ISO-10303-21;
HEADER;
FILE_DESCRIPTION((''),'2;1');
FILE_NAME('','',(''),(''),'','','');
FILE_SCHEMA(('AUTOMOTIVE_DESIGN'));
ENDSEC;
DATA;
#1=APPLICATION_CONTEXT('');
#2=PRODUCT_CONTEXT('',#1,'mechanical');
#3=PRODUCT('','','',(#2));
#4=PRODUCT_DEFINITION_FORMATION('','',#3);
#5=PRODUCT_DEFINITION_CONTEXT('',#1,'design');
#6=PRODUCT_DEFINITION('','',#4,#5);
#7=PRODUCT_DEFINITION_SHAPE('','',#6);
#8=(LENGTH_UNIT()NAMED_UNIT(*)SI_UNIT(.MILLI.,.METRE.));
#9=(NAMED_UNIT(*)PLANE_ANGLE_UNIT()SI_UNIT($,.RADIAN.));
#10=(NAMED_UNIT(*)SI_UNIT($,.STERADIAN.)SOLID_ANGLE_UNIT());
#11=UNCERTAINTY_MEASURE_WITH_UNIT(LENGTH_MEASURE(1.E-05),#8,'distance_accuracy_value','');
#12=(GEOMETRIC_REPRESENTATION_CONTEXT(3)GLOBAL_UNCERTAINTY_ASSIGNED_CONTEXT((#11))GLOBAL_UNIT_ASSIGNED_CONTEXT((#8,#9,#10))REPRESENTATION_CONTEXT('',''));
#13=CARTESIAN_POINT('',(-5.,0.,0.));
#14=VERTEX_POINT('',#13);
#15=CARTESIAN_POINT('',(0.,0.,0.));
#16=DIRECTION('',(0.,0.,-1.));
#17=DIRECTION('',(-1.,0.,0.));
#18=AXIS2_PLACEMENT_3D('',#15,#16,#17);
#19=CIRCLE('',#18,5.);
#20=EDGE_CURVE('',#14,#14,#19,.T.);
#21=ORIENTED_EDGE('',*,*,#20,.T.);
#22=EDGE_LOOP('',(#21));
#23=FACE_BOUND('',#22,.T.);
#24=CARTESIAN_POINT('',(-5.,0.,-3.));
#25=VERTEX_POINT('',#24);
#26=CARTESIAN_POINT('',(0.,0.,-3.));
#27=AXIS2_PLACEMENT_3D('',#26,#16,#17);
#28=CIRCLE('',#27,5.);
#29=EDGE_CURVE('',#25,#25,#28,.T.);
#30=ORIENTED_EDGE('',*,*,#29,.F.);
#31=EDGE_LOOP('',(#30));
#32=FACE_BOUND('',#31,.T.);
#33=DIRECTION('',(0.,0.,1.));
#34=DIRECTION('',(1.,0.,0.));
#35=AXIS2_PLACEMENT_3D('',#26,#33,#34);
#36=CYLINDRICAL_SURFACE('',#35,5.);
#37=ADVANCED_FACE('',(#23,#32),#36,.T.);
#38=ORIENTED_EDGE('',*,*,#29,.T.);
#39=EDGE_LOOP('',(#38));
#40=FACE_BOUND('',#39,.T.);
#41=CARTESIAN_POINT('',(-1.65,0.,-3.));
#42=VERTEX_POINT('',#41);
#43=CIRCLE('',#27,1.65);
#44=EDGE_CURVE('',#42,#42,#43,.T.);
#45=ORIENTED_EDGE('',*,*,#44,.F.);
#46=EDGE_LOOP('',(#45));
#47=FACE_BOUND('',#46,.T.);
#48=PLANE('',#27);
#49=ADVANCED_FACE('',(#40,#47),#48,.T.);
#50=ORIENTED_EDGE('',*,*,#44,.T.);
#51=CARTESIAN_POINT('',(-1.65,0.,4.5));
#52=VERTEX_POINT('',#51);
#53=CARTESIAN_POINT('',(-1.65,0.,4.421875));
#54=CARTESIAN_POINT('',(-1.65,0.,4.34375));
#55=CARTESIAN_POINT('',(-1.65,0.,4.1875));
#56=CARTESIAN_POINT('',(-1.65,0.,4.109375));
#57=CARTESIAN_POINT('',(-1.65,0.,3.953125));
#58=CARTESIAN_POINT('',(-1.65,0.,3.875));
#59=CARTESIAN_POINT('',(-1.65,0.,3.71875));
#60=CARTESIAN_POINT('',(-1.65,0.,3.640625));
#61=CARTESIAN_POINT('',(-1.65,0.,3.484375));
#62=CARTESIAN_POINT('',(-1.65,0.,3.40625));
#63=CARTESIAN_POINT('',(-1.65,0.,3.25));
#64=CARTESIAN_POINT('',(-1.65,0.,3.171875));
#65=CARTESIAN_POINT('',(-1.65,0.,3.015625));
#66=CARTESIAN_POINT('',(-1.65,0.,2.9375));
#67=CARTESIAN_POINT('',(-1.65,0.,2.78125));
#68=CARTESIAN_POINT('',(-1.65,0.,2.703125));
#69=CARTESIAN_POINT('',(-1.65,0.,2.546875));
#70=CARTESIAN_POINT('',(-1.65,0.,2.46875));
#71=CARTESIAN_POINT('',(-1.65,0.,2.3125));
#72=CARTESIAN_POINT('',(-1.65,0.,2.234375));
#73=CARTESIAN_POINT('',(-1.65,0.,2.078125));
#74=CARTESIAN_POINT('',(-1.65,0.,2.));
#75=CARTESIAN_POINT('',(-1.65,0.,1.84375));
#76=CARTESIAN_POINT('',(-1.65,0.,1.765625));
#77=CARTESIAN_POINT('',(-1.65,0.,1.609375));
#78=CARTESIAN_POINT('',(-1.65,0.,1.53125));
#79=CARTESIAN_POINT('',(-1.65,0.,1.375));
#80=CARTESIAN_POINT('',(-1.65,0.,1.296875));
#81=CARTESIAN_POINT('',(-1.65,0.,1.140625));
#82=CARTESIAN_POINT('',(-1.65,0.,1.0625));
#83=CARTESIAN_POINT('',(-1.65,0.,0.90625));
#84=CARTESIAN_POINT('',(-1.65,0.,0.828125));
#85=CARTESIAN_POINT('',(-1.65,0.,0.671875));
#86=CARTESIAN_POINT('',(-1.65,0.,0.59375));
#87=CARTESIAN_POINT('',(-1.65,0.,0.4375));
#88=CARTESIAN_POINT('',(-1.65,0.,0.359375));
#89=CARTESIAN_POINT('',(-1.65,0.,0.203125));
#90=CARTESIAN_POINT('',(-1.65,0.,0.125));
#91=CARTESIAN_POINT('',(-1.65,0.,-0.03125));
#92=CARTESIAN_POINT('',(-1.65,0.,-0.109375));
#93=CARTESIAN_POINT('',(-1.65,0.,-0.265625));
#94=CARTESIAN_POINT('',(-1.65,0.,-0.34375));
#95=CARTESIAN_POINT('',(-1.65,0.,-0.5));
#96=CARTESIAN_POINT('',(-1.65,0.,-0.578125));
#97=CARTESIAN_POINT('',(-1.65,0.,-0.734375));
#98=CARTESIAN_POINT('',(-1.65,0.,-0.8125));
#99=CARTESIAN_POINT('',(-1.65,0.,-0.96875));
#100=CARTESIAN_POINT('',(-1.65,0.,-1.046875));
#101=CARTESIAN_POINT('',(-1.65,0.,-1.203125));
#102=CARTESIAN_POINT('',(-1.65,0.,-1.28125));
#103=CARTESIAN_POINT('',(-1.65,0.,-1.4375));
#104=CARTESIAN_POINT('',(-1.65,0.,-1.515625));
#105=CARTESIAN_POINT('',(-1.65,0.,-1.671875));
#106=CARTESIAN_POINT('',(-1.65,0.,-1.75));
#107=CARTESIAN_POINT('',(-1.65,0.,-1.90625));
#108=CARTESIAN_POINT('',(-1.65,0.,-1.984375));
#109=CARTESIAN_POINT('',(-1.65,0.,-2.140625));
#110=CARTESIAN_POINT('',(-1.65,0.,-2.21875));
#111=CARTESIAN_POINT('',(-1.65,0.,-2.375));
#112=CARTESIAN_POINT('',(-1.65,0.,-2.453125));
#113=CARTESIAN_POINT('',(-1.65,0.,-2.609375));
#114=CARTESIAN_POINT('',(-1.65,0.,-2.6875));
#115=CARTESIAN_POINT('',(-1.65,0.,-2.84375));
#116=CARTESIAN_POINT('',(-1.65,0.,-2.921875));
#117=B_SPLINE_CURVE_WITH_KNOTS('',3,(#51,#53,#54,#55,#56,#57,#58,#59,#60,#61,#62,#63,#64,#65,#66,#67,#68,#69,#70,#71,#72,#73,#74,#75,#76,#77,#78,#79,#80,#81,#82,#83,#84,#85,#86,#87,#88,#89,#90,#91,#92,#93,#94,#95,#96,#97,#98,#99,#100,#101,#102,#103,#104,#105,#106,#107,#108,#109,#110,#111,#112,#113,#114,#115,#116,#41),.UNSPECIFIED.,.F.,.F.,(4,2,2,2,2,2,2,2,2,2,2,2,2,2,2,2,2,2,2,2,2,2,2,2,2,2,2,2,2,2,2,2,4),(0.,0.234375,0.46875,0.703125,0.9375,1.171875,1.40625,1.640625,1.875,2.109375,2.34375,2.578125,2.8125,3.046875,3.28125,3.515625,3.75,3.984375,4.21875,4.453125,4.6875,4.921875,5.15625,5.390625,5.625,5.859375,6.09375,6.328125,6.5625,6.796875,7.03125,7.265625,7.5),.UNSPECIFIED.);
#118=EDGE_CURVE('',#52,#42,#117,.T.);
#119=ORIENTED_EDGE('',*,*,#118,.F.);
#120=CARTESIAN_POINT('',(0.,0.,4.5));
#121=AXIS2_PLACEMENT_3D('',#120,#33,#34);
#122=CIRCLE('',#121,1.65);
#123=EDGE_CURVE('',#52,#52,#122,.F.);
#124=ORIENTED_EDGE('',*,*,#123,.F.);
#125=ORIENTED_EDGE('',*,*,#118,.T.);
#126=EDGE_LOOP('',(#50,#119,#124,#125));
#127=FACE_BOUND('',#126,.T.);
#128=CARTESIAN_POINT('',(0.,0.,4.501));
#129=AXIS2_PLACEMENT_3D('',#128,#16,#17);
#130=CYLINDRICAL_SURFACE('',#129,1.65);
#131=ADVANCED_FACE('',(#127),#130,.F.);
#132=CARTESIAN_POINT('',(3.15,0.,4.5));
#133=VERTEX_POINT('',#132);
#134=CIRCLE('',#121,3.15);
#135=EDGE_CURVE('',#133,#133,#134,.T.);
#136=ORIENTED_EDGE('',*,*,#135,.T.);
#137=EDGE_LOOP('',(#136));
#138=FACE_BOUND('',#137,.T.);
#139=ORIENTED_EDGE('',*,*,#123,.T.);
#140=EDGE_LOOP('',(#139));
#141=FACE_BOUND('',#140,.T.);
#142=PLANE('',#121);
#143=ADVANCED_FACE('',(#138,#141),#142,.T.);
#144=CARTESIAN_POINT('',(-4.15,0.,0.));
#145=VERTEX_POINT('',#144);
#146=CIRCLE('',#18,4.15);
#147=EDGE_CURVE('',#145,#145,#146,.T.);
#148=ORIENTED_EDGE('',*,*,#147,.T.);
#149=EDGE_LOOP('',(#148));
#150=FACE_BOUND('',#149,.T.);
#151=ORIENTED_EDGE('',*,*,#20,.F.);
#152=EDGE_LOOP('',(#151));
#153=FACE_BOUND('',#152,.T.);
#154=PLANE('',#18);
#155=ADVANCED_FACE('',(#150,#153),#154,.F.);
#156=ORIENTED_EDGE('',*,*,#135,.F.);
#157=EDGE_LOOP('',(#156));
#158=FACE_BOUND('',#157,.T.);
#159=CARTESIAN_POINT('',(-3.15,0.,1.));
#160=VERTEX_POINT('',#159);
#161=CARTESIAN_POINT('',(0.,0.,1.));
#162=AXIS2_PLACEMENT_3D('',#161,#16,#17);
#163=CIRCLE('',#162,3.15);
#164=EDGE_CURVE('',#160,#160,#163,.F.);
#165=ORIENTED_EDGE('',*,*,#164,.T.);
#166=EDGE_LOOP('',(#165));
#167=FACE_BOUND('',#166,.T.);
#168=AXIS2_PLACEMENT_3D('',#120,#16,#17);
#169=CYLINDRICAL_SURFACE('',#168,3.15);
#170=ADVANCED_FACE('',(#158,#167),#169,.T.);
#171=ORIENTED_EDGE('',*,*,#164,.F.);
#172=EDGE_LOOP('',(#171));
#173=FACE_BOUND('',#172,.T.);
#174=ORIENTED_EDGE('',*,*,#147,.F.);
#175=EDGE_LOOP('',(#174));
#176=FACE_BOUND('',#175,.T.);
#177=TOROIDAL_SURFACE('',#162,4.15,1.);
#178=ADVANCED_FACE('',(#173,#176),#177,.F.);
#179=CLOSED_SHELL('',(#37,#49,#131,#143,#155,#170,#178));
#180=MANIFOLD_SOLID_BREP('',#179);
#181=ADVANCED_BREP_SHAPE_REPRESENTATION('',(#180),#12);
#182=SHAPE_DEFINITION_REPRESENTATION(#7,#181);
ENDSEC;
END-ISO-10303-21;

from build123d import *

# Parameters (mm, degrees)
SKETCH1_R           = 3.15
BOSS_EXTRUDE1_DEPTH = 4.5
SKETCH2_R           = 5
BOSS_EXTRUDE2_DEPTH = 3
FILLET1_R           = 1
CUT_EXTRUDE1_REACH  = 12.308
SKETCH3_R           = 1.65


with BuildPart() as part:
    # Sketch1 → Boss-Extrude1 (new body)
    with BuildSketch(Plane.XY):
        Circle(SKETCH1_R)
    extrude(amount=BOSS_EXTRUDE1_DEPTH)

    # Sketch2 → Boss-Extrude2 (add)
    with BuildSketch(Plane(origin=(0, 0, 0), x_dir=(-1, 0, 0), z_dir=(0, 0, -1))):
        Circle(SKETCH2_R)
    extrude(amount=BOSS_EXTRUDE2_DEPTH)

    # Fillet1
    fillet1_edges = [part.edges().sort_by_distance(p)[0] for p in [
        (-3.15, 0, 0),
    ]]
    fillet(fillet1_edges, radius=FILLET1_R)

    # Sketch3 → Cut-Extrude1 (cut, up to next)
    with BuildSketch(Plane(origin=(0, 0, -3), x_dir=(-1, 0, 0), z_dir=(0, 0, -1)), mode=Mode.PRIVATE) as cut_extrude1_sk1:
        Circle(SKETCH3_R)
    cut_extrude1_tool1 = extrude(cut_extrude1_sk1.sketch, amount=-CUT_EXTRUDE1_REACH, mode=Mode.PRIVATE) & part.part
    add(cut_extrude1_tool1.solids().sort_by_distance((0, 0, -3))[0], mode=Mode.SUBTRACT)


solid = part.part
